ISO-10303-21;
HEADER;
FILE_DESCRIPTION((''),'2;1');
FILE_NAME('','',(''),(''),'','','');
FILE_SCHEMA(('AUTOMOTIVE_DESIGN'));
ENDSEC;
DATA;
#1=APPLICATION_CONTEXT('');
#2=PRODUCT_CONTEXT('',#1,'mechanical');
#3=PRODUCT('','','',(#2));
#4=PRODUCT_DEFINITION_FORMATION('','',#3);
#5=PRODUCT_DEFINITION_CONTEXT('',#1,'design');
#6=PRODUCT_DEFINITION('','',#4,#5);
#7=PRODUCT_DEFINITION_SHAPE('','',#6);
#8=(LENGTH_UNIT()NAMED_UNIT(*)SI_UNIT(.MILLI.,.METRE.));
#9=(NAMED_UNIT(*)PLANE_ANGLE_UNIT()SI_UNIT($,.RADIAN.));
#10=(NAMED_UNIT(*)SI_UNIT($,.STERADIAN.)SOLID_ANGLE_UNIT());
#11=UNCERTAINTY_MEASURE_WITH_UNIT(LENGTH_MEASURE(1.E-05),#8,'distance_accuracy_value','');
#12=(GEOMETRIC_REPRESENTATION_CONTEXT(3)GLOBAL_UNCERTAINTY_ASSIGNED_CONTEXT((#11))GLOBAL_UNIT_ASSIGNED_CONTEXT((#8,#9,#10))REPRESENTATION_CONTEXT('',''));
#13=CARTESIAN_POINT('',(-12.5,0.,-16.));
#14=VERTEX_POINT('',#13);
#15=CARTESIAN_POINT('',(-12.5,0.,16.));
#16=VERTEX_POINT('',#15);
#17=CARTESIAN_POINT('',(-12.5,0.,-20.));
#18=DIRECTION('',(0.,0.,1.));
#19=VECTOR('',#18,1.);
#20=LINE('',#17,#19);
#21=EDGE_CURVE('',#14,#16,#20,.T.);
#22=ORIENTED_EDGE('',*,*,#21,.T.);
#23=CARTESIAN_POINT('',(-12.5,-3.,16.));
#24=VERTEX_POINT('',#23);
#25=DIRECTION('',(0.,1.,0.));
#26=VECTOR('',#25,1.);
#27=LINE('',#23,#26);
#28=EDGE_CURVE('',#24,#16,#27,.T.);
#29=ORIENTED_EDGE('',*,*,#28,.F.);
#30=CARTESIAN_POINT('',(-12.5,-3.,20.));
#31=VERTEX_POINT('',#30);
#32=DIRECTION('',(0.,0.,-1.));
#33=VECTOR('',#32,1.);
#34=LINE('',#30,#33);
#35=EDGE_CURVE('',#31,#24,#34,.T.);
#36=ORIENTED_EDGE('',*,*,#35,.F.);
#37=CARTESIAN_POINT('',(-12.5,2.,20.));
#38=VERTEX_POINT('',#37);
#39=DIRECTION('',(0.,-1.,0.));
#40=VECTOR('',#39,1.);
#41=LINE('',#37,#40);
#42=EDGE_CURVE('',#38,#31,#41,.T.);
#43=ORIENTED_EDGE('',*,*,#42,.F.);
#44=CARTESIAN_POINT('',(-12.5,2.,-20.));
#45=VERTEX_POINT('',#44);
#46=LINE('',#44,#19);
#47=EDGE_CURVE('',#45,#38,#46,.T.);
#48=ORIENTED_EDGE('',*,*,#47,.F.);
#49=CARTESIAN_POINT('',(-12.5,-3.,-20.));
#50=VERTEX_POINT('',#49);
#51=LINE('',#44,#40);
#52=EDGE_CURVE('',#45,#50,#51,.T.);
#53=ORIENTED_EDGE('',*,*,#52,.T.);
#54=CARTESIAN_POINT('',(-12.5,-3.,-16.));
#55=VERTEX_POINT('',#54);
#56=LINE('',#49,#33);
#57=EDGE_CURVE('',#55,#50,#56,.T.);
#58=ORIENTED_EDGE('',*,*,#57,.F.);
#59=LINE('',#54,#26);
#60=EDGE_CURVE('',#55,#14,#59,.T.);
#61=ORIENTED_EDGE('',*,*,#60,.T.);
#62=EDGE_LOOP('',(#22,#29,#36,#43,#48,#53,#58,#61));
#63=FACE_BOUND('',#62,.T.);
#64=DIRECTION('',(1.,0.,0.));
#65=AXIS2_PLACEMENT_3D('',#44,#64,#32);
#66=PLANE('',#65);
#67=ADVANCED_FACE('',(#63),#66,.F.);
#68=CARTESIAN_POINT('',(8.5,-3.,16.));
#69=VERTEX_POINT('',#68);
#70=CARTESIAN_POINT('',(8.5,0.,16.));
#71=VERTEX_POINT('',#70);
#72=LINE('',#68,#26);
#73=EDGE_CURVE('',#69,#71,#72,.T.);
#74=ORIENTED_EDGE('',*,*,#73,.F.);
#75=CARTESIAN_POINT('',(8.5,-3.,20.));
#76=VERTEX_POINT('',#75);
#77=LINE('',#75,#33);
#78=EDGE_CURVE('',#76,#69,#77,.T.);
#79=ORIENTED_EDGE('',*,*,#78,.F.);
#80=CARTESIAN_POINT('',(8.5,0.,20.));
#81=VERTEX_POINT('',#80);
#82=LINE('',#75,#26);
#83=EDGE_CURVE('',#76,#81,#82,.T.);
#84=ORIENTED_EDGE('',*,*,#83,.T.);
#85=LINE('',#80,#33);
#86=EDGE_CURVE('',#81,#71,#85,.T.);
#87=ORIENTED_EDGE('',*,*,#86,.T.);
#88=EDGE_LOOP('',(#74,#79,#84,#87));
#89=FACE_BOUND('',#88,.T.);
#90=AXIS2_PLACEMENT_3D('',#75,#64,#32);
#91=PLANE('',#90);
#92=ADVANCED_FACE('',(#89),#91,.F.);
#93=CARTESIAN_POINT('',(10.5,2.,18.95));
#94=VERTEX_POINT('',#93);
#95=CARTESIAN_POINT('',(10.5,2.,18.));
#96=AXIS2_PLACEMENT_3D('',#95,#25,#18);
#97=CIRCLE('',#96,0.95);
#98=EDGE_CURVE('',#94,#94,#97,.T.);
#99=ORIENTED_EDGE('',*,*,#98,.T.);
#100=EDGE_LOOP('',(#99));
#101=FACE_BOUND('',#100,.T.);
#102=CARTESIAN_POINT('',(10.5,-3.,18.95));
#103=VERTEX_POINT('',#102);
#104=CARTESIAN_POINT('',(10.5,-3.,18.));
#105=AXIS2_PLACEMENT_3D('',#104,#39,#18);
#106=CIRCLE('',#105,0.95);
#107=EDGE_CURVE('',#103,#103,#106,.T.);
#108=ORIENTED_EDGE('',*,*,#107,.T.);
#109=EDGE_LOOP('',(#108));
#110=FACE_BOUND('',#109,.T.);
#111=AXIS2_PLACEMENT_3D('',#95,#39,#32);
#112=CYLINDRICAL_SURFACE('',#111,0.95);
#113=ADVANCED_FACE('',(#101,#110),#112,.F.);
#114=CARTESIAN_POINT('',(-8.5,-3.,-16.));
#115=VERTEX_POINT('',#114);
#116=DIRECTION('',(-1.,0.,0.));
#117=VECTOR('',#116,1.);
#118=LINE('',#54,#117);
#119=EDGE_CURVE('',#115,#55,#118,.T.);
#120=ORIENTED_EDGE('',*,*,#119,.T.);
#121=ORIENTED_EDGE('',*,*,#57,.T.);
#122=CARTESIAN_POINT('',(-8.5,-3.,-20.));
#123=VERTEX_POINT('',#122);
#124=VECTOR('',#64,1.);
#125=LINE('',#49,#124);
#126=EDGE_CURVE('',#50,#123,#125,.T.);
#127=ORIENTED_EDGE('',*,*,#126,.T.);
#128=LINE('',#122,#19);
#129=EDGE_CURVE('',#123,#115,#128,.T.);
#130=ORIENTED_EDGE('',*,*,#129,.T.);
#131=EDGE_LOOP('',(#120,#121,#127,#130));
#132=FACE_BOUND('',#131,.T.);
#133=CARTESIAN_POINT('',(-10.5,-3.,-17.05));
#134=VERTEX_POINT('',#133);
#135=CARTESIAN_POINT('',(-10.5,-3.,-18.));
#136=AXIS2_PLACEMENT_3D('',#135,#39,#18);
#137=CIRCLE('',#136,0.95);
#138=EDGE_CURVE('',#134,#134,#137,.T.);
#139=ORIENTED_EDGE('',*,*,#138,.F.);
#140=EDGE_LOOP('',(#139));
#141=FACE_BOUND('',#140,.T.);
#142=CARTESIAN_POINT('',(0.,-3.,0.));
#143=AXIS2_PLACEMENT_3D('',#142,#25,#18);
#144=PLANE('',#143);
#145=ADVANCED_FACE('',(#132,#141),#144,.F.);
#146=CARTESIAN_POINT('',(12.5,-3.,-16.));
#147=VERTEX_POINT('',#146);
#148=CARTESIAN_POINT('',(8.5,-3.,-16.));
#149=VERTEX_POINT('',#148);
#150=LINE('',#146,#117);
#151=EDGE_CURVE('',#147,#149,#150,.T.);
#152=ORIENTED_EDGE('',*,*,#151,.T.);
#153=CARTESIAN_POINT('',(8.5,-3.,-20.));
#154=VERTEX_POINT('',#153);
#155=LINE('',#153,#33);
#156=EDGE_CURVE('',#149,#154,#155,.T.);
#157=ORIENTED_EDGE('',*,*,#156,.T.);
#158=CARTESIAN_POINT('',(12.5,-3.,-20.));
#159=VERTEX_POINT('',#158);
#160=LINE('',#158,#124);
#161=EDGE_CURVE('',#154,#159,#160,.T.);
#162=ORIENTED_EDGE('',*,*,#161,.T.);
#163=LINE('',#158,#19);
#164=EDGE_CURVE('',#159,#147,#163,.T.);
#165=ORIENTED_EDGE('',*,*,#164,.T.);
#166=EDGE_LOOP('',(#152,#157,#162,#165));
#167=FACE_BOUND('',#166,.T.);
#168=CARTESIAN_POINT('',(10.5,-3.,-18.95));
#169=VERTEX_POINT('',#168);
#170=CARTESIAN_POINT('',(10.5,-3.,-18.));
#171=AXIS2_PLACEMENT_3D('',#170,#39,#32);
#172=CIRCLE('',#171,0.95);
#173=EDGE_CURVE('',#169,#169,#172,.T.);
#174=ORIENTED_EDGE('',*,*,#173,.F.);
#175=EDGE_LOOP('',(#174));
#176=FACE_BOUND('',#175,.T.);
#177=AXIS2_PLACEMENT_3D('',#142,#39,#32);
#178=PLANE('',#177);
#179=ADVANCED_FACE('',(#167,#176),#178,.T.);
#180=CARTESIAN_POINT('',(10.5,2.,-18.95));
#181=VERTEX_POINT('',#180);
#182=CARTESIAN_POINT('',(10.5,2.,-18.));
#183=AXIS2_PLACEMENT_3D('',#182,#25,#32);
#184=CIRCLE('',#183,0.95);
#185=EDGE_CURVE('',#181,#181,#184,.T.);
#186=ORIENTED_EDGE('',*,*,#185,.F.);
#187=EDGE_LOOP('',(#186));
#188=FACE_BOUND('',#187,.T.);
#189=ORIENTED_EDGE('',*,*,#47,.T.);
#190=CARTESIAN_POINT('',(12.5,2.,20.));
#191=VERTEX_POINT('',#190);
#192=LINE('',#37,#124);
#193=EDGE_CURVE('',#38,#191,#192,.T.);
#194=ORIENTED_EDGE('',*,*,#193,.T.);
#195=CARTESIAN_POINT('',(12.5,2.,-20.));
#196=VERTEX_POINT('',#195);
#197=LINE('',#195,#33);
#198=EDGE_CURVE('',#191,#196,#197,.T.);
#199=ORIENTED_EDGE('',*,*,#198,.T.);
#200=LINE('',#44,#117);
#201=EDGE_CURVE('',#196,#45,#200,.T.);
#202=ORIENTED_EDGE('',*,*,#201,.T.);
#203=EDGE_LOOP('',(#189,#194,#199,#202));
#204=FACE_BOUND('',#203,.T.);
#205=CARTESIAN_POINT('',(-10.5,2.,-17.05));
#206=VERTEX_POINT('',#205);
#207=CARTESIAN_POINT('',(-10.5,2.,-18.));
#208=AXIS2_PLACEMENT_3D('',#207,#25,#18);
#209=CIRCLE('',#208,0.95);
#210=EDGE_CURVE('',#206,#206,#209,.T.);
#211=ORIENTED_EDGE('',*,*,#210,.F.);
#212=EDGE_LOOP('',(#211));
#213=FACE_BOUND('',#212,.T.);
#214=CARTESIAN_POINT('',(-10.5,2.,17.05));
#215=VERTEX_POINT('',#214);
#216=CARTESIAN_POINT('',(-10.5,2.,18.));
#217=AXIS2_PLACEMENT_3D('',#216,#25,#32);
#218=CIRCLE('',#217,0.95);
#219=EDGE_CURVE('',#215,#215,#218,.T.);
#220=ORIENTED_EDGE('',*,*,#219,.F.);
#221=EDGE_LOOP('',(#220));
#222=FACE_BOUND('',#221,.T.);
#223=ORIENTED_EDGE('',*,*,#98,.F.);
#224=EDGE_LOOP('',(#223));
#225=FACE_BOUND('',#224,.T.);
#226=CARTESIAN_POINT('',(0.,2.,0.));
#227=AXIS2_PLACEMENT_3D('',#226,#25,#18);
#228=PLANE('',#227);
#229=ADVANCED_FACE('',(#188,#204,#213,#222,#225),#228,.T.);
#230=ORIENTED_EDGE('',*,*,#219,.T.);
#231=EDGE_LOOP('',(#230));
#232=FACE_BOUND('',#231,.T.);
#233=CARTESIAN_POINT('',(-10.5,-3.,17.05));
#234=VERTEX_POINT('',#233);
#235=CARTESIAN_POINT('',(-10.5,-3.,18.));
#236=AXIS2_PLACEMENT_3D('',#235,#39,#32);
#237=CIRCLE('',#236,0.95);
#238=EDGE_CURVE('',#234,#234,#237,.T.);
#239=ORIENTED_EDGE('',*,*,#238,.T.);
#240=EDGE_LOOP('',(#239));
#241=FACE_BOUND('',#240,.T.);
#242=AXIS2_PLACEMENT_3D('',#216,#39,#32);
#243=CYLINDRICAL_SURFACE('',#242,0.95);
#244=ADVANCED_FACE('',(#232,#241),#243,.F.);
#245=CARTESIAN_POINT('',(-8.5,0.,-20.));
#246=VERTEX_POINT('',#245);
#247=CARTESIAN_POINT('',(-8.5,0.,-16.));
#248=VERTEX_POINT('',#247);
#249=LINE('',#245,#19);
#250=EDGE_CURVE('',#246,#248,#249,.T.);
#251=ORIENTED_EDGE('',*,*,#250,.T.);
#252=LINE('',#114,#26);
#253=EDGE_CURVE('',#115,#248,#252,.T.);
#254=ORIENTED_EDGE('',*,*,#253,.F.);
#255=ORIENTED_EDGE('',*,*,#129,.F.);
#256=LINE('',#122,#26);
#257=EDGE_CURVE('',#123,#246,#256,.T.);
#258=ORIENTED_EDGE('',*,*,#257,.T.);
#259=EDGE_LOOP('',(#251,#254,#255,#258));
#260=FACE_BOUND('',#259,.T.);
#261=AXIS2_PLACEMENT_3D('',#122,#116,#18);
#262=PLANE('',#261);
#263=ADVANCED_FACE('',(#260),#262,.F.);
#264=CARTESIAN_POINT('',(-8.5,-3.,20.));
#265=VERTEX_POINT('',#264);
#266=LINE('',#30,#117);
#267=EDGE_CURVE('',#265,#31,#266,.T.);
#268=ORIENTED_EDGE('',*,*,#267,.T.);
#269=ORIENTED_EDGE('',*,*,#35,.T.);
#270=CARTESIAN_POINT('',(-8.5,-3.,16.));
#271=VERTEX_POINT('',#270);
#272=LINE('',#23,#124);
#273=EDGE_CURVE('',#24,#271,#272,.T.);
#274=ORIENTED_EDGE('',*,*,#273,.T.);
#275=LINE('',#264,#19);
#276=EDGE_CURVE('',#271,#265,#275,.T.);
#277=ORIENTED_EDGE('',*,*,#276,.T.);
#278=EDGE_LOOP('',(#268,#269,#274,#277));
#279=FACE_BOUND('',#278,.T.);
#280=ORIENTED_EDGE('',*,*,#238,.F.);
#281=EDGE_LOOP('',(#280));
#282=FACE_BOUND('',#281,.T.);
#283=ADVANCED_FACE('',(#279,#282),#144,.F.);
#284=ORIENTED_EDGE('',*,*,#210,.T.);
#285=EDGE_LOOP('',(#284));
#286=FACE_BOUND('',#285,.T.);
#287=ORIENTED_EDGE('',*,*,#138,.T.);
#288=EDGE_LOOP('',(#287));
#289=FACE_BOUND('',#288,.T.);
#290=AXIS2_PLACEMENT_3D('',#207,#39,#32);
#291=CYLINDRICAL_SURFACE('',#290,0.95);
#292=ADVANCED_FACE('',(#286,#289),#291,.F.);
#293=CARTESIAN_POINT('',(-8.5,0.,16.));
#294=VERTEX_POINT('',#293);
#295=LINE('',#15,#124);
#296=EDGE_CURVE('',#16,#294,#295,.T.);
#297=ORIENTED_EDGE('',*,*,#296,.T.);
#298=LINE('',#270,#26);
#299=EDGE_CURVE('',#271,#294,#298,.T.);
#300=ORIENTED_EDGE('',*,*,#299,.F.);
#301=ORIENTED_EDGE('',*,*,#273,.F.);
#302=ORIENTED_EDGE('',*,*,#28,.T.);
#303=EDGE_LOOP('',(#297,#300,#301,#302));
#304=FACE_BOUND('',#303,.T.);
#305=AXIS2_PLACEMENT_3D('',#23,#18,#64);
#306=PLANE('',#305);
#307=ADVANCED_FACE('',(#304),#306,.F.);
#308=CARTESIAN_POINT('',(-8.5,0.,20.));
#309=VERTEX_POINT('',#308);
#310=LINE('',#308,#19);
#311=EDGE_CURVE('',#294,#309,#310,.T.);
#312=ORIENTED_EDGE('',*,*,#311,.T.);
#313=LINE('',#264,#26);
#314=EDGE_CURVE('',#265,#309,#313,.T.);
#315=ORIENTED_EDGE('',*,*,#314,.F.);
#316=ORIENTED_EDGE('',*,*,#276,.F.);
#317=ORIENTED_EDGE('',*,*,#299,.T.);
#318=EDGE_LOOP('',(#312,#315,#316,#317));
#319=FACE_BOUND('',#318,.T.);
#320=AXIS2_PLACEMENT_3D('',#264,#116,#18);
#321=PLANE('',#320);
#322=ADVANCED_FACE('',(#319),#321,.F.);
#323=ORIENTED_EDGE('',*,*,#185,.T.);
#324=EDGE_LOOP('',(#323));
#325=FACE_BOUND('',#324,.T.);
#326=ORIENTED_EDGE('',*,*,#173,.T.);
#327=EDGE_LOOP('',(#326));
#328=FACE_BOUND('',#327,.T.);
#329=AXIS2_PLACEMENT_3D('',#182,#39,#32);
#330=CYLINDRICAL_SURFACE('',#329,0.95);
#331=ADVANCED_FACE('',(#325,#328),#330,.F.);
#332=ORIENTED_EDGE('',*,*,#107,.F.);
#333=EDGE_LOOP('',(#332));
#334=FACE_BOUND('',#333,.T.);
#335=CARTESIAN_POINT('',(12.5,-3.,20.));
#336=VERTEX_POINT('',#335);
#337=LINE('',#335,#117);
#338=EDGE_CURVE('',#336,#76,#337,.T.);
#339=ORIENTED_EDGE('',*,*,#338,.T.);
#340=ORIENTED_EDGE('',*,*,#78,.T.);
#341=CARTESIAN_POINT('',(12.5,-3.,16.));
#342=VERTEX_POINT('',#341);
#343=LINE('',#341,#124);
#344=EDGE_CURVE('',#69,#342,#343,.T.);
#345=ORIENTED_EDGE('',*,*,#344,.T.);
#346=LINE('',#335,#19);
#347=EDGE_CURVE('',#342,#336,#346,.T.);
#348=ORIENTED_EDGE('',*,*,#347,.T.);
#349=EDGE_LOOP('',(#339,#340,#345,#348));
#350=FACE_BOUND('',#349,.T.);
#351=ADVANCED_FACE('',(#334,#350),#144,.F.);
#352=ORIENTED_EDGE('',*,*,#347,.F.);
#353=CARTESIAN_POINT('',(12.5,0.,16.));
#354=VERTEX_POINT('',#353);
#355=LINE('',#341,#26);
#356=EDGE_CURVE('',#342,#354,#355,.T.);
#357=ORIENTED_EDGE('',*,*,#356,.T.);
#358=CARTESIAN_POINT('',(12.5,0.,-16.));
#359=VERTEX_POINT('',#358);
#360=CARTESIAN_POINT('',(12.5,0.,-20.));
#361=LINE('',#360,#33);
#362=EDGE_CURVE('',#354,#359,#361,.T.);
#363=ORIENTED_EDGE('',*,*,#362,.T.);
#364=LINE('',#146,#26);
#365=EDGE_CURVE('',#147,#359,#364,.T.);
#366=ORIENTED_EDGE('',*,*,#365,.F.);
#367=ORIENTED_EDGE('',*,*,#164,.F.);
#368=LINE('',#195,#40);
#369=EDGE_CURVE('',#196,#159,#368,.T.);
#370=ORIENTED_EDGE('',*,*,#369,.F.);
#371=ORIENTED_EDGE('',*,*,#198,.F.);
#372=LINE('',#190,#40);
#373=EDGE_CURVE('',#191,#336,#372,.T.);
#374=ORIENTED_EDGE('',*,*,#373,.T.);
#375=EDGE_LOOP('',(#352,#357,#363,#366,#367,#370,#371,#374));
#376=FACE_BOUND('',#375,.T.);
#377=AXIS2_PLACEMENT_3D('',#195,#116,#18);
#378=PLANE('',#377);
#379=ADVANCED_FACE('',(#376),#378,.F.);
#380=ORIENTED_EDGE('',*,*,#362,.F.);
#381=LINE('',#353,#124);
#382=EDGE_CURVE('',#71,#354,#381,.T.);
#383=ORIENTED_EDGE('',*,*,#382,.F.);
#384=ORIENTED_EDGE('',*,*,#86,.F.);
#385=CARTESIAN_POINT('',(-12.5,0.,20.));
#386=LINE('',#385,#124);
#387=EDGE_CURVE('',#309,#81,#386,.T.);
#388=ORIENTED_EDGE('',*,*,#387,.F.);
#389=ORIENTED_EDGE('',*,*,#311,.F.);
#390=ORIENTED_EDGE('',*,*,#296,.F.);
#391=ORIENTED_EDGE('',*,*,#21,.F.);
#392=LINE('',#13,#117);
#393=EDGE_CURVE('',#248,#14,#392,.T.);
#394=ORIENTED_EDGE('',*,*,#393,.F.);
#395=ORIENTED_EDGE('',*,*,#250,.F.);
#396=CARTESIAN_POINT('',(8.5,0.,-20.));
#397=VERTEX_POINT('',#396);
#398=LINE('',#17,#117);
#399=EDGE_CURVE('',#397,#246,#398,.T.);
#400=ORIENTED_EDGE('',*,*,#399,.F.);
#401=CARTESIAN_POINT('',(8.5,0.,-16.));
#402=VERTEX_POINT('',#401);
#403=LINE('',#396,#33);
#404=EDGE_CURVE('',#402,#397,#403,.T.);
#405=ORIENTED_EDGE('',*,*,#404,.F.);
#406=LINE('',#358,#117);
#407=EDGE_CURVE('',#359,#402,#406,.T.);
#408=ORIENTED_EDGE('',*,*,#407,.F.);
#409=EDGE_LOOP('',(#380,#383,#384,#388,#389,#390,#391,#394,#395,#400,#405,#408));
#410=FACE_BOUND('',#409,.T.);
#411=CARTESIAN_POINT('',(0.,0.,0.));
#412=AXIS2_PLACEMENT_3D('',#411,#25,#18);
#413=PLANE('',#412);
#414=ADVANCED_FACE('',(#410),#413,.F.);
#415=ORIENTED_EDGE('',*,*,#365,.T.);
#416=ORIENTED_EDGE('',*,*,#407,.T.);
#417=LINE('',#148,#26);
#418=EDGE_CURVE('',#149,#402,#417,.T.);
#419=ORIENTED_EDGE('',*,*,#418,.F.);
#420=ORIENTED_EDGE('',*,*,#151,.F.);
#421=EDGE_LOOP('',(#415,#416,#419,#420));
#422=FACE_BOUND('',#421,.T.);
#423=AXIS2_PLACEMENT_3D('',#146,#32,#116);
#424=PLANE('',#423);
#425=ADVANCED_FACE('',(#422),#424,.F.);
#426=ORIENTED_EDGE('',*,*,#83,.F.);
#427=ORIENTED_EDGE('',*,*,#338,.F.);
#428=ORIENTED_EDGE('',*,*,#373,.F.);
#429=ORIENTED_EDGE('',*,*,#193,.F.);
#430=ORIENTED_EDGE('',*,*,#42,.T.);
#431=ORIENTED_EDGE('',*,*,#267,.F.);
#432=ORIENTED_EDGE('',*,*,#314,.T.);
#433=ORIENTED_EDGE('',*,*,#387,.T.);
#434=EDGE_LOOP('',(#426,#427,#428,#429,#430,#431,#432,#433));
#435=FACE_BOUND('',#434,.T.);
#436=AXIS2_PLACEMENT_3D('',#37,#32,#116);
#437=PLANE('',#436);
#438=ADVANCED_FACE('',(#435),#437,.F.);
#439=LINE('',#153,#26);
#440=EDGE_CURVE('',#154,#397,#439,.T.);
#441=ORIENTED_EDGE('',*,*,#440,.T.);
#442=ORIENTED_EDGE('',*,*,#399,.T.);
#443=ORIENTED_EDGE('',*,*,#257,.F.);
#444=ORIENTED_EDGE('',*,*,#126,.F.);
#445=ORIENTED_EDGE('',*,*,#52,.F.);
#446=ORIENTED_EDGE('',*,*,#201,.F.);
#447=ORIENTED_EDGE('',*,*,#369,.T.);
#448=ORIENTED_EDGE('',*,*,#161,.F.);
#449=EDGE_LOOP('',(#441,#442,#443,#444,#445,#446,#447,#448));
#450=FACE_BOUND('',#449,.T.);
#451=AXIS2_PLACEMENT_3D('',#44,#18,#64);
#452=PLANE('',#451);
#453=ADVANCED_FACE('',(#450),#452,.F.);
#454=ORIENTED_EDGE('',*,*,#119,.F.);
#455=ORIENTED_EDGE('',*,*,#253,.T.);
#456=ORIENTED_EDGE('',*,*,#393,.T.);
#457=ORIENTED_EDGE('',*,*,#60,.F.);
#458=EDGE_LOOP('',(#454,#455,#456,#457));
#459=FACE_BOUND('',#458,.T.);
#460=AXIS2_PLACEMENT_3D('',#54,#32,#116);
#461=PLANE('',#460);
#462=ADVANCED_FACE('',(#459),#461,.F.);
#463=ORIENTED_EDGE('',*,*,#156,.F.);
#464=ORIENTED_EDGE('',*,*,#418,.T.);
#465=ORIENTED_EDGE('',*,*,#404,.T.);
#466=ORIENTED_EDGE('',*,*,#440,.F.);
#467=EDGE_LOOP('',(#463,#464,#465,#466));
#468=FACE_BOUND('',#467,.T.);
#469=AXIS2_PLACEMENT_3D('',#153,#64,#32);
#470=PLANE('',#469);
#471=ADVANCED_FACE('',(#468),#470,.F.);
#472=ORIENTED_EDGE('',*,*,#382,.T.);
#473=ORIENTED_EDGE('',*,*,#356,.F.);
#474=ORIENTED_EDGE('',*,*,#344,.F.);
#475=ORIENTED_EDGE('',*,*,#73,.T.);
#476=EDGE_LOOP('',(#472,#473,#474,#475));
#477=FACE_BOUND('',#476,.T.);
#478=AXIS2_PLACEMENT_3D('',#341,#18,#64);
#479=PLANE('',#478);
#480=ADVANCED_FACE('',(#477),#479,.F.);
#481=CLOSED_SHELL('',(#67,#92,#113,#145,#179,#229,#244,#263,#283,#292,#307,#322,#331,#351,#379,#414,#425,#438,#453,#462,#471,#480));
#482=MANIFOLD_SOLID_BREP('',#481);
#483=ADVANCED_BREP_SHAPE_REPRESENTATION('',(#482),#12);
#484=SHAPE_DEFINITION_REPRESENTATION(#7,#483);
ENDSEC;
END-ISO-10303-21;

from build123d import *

# Parameters (mm, degrees)
SKETCH1_W           = 25
SKETCH1_H           = 40
SKETCH1_R           = 0.95
BOSS_EXTRUDE1_DEPTH = 2
BOSS_EXTRUDE2_START = 3
SKETCH2_W           = 4
SKETCH2_H           = 4
SKETCH2_R           = 0.95
BOSS_EXTRUDE2_DEPTH = 3


with BuildPart() as part:
    # Sketch1 → Boss-Extrude1 (new body)
    with BuildSketch(Plane(origin=(0, 0, 0), x_dir=(1, 0, 0), z_dir=(0, 1, 0))):
        Rectangle(SKETCH1_W, SKETCH1_H)
        with Locations(Location((-10.5, 18, 0), (0, 0, 270))):
            Circle(SKETCH1_R, mode=Mode.SUBTRACT)
        with Locations(Location((10.5, 18, 0), (0, 0, 90))):
            Circle(SKETCH1_R, mode=Mode.SUBTRACT)
        with Locations(Location((-10.5, -18, 0), (0, 0, 90))):
            Circle(SKETCH1_R, mode=Mode.SUBTRACT)
        with Locations(Location((10.5, -18, 0), (0, 0, 270))):
            Circle(SKETCH1_R, mode=Mode.SUBTRACT)
    extrude(amount=BOSS_EXTRUDE1_DEPTH)

    # Sketch2 → Boss-Extrude2 (add)
    # profile 1 of 4: a face of its own
    with BuildSketch(Plane(origin=(0, 0, 0), x_dir=(-1, 0, 0), z_dir=(0, -1, 0)).offset(BOSS_EXTRUDE2_START)):
        with Locations((-10.5, 18)):
            Rectangle(SKETCH2_W, SKETCH2_H)
        with Locations(Location((-10.5, 18, 0), (0, 0, 90))):
            Circle(SKETCH2_R, mode=Mode.SUBTRACT)
    # profile 2 of 4: a face of its own
    with BuildSketch(Plane(origin=(0, 0, 0), x_dir=(-1, 0, 0), z_dir=(0, -1, 0)).offset(BOSS_EXTRUDE2_START)):
        with Locations((10.5, 18)):
            Rectangle(SKETCH2_W, SKETCH2_H)
        with Locations(Location((10.5, 18, 0), (0, 0, 270))):
            Circle(SKETCH2_R, mode=Mode.SUBTRACT)
    # profile 3 of 4: a face of its own
    with BuildSketch(Plane(origin=(0, 0, 0), x_dir=(-1, 0, 0), z_dir=(0, -1, 0)).offset(BOSS_EXTRUDE2_START)):
        with Locations((-10.5, -18)):
            Rectangle(SKETCH2_W, SKETCH2_H)
        with Locations(Location((-10.5, -18, 0), (0, 0, 270))):
            Circle(SKETCH2_R, mode=Mode.SUBTRACT)
    # profile 4 of 4: a face of its own
    with BuildSketch(Plane(origin=(0, 0, 0), x_dir=(-1, 0, 0), z_dir=(0, -1, 0)).offset(BOSS_EXTRUDE2_START)):
        with Locations((10.5, -18)):
            Rectangle(SKETCH2_W, SKETCH2_H)
        with Locations(Location((10.5, -18, 0), (0, 0, 90))):
            Circle(SKETCH2_R, mode=Mode.SUBTRACT)
    extrude(amount=-BOSS_EXTRUDE2_DEPTH)


solid = part.part
